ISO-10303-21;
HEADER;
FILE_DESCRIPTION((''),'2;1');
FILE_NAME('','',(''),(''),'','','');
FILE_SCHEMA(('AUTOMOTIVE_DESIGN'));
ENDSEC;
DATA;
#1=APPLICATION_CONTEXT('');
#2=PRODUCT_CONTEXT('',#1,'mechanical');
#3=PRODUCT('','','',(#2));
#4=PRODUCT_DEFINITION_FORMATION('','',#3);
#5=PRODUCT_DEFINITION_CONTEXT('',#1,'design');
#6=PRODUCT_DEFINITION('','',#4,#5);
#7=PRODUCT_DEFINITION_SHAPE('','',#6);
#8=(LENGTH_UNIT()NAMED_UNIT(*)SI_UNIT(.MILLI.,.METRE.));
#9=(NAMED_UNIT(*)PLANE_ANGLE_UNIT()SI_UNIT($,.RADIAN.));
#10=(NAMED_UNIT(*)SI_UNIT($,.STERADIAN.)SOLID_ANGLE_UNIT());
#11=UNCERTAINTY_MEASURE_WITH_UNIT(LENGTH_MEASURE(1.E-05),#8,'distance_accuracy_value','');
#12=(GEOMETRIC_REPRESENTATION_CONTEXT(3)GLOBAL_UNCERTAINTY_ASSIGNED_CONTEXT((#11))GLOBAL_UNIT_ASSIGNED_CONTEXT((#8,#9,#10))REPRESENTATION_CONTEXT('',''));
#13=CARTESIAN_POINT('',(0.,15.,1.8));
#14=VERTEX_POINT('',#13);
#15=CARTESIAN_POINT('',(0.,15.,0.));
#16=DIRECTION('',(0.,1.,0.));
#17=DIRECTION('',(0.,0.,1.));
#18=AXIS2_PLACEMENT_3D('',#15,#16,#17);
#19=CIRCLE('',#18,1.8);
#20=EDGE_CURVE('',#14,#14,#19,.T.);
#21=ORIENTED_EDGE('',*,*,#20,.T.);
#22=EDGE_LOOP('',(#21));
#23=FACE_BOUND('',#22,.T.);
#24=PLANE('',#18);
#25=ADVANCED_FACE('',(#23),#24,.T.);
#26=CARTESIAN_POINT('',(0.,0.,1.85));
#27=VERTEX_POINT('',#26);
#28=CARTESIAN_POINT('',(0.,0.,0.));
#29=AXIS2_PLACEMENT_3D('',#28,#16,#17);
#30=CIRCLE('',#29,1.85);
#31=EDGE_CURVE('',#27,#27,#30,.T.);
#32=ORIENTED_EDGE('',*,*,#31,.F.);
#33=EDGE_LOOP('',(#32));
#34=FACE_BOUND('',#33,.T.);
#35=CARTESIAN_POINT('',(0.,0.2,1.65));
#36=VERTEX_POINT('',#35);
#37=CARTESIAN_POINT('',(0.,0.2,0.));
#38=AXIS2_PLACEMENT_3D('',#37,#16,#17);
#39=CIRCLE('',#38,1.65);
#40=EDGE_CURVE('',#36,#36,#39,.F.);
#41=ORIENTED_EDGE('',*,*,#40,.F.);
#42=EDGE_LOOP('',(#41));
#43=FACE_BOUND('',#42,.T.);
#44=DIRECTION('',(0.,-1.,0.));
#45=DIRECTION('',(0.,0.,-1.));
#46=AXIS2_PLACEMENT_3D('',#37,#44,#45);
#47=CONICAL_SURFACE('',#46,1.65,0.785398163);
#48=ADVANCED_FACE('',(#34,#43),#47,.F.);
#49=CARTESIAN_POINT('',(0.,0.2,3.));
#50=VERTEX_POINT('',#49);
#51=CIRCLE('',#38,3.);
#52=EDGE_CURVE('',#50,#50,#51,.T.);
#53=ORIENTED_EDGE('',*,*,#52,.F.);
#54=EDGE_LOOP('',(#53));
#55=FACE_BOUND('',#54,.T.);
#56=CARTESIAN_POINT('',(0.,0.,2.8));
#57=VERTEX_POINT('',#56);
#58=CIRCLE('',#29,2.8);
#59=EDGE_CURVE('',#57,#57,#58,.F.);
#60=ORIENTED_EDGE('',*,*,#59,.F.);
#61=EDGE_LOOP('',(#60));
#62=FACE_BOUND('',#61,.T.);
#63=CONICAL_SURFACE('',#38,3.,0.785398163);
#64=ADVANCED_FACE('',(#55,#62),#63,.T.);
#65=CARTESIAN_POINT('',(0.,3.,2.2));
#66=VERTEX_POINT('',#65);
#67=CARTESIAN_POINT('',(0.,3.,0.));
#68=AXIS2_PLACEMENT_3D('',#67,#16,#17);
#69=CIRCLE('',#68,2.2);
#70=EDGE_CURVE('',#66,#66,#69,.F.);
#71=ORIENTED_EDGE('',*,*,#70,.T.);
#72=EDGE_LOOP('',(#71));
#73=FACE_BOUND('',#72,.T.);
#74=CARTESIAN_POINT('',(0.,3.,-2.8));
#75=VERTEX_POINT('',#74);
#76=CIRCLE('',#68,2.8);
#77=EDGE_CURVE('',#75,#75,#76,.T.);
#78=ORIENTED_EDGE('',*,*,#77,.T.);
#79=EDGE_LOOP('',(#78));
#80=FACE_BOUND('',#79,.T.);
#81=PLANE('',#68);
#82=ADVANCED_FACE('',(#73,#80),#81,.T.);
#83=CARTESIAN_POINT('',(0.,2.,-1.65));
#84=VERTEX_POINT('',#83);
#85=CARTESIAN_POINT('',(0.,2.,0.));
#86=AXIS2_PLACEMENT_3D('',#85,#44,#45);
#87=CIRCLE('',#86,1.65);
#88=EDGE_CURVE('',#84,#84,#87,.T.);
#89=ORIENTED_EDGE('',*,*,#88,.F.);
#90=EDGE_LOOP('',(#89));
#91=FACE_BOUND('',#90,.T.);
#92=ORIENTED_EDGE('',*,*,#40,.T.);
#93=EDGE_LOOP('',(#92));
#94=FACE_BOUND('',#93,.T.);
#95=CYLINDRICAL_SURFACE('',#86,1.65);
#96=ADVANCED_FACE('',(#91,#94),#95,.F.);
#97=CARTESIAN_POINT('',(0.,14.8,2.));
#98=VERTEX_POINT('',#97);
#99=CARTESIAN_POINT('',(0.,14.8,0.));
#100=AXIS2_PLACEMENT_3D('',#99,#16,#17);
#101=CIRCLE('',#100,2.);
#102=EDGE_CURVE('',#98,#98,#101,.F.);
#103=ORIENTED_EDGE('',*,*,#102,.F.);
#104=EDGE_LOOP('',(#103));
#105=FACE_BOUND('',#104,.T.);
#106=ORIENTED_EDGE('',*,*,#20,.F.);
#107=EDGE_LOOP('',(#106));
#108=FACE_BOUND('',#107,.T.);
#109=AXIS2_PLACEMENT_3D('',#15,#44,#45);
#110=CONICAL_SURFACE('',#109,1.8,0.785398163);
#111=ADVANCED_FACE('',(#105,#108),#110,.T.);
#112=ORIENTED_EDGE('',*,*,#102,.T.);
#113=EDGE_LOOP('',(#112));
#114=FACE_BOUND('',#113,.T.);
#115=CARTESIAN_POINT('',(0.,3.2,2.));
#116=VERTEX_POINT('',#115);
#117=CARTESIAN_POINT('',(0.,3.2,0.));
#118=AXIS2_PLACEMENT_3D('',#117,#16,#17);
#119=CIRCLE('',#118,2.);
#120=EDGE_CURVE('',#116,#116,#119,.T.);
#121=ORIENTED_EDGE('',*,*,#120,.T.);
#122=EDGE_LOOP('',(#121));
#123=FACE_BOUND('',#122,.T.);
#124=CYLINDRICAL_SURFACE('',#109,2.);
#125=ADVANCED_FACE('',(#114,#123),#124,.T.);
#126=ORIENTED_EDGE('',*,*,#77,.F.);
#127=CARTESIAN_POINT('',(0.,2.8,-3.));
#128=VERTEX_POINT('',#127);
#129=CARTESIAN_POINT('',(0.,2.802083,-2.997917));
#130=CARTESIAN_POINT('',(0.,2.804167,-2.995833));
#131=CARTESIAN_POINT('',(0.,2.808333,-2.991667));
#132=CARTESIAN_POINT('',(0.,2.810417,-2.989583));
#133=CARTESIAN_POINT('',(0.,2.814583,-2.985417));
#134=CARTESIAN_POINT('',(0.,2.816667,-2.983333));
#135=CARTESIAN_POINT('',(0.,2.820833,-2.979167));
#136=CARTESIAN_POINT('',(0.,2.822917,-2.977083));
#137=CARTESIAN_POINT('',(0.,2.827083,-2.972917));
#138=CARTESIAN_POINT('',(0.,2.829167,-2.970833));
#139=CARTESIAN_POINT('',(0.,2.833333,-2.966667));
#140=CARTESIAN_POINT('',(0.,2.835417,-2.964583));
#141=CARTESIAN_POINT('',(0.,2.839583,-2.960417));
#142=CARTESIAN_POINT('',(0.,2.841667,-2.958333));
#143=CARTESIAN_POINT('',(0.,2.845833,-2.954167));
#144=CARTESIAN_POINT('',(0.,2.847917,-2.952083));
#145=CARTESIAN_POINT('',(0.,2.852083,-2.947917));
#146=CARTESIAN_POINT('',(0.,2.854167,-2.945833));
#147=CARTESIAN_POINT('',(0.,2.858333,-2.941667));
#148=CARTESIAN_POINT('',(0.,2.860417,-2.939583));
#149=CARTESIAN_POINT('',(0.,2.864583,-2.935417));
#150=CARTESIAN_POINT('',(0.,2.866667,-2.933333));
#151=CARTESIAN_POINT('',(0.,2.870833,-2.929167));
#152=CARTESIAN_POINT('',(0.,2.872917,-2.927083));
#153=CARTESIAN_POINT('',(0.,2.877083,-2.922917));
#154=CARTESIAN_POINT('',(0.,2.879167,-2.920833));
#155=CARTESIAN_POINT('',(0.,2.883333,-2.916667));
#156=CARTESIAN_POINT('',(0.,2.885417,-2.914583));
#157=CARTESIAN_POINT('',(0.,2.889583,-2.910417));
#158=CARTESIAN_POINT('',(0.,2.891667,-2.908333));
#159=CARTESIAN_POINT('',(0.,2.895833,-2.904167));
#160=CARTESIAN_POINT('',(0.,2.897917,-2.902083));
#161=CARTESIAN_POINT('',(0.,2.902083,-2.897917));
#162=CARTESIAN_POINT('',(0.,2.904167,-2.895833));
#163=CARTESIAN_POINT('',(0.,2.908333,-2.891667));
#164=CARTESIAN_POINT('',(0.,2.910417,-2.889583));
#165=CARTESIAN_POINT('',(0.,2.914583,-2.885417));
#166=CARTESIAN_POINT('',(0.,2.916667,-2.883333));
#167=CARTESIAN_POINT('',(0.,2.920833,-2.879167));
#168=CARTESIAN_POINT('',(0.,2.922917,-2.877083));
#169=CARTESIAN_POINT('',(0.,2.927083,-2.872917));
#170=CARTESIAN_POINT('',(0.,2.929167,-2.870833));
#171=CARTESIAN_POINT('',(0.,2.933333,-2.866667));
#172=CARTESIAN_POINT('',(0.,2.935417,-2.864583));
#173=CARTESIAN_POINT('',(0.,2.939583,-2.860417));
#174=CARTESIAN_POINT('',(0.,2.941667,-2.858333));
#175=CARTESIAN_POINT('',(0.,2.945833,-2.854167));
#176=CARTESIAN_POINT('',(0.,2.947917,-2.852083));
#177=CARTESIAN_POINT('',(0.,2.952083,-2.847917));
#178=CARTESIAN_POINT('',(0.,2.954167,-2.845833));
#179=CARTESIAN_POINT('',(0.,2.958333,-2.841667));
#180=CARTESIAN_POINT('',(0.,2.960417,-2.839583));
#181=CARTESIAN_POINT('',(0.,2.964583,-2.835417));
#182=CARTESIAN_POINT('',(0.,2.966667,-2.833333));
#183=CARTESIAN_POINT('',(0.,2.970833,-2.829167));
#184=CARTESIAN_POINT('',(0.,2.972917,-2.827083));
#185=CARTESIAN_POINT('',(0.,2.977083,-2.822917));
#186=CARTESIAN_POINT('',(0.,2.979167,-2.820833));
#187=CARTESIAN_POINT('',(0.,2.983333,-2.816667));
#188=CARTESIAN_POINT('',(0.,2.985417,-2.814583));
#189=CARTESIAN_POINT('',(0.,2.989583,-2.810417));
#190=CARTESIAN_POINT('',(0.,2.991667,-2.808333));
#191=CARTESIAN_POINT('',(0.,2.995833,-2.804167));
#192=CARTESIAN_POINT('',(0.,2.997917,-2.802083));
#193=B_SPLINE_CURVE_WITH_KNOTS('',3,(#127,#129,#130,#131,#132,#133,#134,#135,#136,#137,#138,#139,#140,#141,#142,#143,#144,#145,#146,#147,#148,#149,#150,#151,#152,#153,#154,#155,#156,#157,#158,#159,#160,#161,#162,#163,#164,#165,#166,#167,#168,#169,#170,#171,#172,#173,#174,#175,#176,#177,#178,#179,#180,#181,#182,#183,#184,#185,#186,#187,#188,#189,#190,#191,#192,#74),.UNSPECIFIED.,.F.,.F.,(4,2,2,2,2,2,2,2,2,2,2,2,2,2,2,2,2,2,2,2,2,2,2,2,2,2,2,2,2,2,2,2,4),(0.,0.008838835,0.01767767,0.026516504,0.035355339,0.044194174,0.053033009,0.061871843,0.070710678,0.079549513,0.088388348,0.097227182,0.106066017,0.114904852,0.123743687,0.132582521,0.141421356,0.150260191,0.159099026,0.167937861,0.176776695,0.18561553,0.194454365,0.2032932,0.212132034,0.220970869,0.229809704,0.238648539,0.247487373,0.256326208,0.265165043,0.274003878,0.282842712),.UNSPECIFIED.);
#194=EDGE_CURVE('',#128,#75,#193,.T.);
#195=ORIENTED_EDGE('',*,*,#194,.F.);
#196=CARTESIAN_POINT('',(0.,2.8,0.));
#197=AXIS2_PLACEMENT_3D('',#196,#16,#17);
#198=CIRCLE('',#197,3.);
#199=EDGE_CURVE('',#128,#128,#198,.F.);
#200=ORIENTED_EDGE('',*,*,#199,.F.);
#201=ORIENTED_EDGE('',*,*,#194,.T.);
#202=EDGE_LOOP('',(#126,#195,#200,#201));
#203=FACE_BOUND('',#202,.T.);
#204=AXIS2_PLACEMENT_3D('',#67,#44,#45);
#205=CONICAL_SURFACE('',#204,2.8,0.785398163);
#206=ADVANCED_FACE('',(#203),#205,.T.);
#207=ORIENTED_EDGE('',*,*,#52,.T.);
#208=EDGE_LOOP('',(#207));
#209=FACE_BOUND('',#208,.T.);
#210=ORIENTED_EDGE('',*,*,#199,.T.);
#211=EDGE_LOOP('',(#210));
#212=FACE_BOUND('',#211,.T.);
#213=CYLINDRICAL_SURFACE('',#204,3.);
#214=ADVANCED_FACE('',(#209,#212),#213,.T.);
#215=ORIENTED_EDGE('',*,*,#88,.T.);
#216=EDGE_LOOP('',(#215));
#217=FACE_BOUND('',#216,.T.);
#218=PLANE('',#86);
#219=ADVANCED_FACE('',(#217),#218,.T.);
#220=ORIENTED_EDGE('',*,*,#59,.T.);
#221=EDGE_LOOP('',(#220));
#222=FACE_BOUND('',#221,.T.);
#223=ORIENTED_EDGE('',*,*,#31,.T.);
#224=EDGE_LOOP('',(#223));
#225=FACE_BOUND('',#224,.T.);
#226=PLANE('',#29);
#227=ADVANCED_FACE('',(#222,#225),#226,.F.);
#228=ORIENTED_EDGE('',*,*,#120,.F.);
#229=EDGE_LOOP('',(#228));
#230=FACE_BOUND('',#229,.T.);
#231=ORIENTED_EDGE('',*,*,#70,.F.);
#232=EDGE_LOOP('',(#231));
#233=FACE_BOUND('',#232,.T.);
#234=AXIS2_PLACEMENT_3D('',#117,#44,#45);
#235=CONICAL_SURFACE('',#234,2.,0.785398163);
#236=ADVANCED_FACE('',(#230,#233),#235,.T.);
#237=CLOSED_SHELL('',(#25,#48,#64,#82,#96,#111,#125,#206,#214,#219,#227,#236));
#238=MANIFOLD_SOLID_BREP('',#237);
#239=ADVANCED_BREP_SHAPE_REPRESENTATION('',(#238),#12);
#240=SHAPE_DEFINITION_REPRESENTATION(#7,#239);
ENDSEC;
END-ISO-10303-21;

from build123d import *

# Parameters (mm, degrees)
ESQUISSE1_R             = 3
BOSS_EXTRU_1_DEPTH      = 3
ESQUISSE2_R             = 2
BOSS_EXTRU_2_DEPTH      = 12
ESQUISSE3_R             = 1.65
ENL_V_MAT_EXTRU_1_DEPTH = 2
CHANFREIN1_SIZE         = 0.2


with BuildPart() as part:
    # Esquisse1 → Boss.-Extru.1 (new body)
    with BuildSketch(Plane(origin=(0, 0, 0), x_dir=(1, 0, 0), z_dir=(0, 1, 0))):
        with Locations(Location((0, 0, 0), (0, 0, 270))):
            Circle(ESQUISSE1_R)
    extrude(amount=BOSS_EXTRU_1_DEPTH)

    # Esquisse2 → Boss.-Extru.2 (add)
    with BuildSketch(Plane(origin=(0, 3, 0), x_dir=(1, 0, 0), z_dir=(0, 1, 0))):
        with Locations(Location((0, 0, 0), (0, 0, 270))):
            Circle(ESQUISSE2_R)
    extrude(amount=BOSS_EXTRU_2_DEPTH)

    # Esquisse3 → Enlèv. mat.-Extru.1 (cut)
    with BuildSketch(Plane.XZ):
        with Locations(Location((0, 0, 0), (0, 0, 270))):
            Circle(ESQUISSE3_R)
    extrude(amount=-ENL_V_MAT_EXTRU_1_DEPTH, mode=Mode.SUBTRACT)

    # Chanfrein1
    chanfrein1_edges = [part.edges().sort_by_distance(p)[0] for p in [
        (0, 0, 1.65),
        (0, 0, -3),
        (0, 3, -3),
        (0, 3, -2),
        (0, 15, -2),
    ]]
    chamfer(chanfrein1_edges, length=CHANFREIN1_SIZE)


solid = part.part
